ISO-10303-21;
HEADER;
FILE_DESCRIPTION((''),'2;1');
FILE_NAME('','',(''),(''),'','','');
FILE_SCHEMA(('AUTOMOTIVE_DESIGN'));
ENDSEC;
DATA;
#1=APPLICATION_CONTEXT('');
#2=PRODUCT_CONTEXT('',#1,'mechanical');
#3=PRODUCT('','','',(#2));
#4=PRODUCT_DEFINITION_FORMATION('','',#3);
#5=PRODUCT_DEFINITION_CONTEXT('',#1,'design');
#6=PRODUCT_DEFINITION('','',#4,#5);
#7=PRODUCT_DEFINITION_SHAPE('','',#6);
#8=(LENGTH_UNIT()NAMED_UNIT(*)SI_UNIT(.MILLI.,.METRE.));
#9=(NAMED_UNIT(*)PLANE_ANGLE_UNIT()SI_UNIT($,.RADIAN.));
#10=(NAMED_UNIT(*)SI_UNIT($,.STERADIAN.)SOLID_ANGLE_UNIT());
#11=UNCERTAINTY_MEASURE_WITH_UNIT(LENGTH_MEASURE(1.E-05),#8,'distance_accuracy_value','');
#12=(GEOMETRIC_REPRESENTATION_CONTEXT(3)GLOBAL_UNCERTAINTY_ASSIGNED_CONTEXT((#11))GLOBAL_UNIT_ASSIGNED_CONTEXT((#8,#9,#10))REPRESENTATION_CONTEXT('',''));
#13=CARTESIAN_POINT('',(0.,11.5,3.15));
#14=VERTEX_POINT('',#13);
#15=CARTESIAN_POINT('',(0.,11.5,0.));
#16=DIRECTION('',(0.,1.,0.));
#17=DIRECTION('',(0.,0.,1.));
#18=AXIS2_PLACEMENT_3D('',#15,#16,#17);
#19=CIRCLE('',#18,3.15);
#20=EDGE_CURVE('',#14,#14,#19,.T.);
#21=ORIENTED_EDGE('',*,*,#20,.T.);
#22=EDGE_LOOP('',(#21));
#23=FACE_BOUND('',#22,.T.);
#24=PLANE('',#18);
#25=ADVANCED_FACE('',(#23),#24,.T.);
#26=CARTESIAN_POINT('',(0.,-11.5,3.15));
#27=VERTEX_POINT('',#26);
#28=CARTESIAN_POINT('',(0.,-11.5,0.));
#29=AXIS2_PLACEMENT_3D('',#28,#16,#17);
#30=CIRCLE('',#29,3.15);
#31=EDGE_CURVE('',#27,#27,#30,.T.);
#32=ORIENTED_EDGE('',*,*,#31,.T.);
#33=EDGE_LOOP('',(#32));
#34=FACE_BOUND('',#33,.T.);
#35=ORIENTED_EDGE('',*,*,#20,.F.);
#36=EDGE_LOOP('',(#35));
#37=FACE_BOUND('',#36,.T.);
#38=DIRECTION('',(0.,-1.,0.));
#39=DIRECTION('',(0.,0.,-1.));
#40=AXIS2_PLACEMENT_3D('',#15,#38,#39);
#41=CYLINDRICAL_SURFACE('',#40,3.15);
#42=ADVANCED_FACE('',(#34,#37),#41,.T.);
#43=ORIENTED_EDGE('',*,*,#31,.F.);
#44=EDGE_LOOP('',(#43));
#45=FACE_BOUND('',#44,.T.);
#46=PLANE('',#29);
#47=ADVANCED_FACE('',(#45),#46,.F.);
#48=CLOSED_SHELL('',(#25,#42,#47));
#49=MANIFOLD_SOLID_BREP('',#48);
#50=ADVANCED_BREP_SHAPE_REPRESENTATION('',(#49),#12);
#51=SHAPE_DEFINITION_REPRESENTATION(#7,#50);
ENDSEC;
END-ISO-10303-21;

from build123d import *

# Parameters (mm, degrees)
ESQUISSE1_R        = 3.15
BOSS_EXTRU_1_DEPTH = 11.5


with BuildPart() as part:
    # Esquisse1 → Boss.-Extru.1 (new, symmetric)
    with BuildSketch(Plane(origin=(0, 0, 0), x_dir=(1, 0, 0), z_dir=(0, 1, 0))):
        with Locations(Location((0, 0, 0), (0, 0, 270))):
            Circle(ESQUISSE1_R)
    extrude(amount=BOSS_EXTRU_1_DEPTH, both=True)


solid = part.part
